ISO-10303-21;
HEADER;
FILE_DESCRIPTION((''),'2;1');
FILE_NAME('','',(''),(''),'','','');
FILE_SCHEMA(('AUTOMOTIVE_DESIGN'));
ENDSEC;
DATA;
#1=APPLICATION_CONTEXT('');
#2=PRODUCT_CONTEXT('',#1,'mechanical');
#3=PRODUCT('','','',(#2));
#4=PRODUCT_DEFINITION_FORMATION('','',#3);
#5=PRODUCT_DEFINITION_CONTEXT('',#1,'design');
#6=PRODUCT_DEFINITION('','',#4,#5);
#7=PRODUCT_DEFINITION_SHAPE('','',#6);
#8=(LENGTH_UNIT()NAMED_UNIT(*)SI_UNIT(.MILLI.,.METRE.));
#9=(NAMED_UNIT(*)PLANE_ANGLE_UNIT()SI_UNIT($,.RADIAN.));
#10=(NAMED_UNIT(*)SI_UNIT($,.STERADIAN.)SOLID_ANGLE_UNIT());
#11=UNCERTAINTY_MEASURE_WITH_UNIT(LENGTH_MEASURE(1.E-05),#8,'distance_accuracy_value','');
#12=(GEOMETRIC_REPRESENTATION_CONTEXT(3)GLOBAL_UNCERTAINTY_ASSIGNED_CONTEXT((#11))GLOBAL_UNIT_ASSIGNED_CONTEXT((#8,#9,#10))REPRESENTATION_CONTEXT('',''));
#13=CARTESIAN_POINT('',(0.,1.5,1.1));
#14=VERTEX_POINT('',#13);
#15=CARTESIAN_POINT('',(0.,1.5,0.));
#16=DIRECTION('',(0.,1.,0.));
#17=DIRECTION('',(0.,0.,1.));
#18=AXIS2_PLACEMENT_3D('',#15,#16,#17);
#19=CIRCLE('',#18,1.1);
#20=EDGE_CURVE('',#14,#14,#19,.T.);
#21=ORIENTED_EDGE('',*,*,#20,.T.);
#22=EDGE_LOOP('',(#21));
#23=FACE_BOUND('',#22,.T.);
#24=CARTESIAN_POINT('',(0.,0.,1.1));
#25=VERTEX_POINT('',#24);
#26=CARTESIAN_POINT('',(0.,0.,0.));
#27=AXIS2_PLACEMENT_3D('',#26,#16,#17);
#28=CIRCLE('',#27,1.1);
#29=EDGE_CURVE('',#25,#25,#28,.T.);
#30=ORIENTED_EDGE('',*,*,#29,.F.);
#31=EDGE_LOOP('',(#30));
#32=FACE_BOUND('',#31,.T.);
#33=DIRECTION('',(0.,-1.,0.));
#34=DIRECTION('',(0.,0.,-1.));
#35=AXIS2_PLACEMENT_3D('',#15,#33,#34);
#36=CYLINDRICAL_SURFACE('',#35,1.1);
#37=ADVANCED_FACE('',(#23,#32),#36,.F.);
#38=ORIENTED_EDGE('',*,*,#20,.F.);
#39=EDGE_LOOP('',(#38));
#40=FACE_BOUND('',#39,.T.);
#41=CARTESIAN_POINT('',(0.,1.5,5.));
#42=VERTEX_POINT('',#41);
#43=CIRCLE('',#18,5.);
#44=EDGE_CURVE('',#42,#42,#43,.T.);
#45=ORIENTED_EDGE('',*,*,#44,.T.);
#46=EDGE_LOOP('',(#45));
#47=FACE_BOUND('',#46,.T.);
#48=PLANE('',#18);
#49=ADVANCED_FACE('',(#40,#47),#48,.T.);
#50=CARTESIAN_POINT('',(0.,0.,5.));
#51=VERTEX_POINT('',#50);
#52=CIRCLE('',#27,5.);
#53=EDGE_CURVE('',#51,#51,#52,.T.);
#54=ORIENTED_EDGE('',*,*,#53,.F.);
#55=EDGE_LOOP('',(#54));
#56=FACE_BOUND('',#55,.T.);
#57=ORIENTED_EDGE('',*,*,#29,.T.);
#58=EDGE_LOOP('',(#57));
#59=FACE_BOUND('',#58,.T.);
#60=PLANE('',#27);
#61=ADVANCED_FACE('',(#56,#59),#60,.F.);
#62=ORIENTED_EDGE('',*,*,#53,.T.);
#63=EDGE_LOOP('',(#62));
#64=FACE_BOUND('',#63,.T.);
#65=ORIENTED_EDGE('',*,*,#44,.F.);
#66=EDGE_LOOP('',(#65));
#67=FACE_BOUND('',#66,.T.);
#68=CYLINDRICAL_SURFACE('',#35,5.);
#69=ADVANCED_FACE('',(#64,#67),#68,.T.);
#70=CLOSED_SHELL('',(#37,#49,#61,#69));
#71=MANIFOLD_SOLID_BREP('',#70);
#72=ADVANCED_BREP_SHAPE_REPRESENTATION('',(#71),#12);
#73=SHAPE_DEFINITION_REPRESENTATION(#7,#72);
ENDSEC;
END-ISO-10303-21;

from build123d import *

# Parameters (mm, degrees)
SKETCH1_R           = 5
SKETCH1_R_2         = 1.1
BOSS_EXTRUDE1_DEPTH = 1.5


with BuildPart() as part:
    # Sketch1 → Boss-Extrude1 (new body)
    with BuildSketch(Plane(origin=(0, 0, 0), x_dir=(1, 0, 0), z_dir=(0, 1, 0))):
        Circle(SKETCH1_R)
        Circle(SKETCH1_R_2, mode=Mode.SUBTRACT)
    extrude(amount=BOSS_EXTRUDE1_DEPTH)


solid = part.part
